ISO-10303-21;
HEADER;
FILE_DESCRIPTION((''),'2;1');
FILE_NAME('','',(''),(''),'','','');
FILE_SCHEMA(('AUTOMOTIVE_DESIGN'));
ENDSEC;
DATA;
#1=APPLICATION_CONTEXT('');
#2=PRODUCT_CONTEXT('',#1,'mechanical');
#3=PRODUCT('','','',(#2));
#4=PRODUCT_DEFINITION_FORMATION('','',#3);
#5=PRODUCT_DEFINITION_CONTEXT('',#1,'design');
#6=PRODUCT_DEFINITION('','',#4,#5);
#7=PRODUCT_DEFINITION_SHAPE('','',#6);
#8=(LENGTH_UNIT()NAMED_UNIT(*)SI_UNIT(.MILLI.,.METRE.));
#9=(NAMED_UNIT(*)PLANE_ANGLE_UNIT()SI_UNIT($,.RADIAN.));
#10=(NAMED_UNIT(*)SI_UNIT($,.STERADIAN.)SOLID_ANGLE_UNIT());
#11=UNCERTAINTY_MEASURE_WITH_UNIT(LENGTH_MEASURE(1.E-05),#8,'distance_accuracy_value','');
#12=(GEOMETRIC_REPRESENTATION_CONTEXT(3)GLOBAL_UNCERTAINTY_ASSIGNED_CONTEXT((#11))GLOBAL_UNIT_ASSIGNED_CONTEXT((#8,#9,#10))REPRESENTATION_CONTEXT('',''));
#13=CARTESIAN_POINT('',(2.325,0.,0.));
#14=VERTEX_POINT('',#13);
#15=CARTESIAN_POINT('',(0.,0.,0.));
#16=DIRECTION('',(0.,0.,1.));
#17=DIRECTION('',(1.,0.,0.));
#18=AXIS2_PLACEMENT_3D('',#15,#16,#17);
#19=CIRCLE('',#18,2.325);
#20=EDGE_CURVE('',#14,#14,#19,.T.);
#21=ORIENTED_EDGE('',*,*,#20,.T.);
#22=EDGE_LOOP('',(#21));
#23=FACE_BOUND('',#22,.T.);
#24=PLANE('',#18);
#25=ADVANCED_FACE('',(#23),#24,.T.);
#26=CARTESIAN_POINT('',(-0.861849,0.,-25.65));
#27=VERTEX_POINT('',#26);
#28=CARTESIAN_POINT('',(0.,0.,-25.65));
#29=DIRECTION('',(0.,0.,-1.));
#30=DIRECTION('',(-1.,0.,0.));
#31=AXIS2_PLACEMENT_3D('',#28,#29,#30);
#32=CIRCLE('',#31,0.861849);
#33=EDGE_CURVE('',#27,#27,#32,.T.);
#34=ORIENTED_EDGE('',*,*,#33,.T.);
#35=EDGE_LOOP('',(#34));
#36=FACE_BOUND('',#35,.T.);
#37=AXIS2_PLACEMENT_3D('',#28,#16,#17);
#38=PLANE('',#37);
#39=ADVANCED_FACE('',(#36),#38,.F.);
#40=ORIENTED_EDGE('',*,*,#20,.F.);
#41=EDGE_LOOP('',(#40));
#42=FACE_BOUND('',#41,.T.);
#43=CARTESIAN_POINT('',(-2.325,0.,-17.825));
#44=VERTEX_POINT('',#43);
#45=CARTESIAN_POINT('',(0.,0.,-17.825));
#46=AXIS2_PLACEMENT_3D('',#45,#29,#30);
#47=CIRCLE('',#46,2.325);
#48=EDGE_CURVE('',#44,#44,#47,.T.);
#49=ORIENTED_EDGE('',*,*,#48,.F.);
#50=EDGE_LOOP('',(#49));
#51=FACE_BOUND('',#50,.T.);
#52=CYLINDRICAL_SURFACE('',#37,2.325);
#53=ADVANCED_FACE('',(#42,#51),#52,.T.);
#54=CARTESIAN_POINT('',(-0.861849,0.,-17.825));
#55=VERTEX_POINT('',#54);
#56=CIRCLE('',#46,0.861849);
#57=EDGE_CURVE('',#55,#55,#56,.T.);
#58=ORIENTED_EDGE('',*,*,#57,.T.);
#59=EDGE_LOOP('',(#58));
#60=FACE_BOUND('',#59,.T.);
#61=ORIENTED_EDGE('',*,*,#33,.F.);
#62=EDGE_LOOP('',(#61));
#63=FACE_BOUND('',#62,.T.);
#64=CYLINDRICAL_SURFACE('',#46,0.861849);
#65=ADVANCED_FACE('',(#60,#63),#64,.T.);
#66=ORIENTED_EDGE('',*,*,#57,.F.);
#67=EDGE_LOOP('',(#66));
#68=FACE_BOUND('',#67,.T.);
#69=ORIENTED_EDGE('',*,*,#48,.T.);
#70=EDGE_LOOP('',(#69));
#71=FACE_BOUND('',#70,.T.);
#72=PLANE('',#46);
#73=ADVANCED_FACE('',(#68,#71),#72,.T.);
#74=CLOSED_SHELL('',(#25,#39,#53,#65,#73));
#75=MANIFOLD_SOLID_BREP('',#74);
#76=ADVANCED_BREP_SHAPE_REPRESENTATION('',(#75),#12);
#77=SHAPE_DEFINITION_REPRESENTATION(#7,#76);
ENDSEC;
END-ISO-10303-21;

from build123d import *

# Parameters (mm, degrees)
SKETCH2_R           = 2.325
BOSS_EXTRUDE1_DEPTH = 25.65
CUT_EXTRUDE1_START  = -7.825
SKETCH3_R           = 2.325
SKETCH3_R_2         = 0.86184899
CUT_EXTRUDE1_DEPTH  = 7.825


with BuildPart() as part:
    # Sketch2 → Boss-Extrude1 (new body)
    with BuildSketch(Plane.XY):
        Circle(SKETCH2_R)
    extrude(amount=-BOSS_EXTRUDE1_DEPTH)

    # Sketch3 → Cut-Extrude1 (cut)
    with BuildSketch(Plane(origin=(0, 0, -25.65), x_dir=(-1, 0, 0), z_dir=(0, 0, -1)).offset(CUT_EXTRUDE1_START)):
        with Locations(Location((0, 0, 0), (0, 0, 180))):
            Circle(SKETCH3_R)
        Circle(SKETCH3_R_2, mode=Mode.SUBTRACT)
    extrude(amount=CUT_EXTRUDE1_DEPTH, mode=Mode.SUBTRACT)


solid = part.part
